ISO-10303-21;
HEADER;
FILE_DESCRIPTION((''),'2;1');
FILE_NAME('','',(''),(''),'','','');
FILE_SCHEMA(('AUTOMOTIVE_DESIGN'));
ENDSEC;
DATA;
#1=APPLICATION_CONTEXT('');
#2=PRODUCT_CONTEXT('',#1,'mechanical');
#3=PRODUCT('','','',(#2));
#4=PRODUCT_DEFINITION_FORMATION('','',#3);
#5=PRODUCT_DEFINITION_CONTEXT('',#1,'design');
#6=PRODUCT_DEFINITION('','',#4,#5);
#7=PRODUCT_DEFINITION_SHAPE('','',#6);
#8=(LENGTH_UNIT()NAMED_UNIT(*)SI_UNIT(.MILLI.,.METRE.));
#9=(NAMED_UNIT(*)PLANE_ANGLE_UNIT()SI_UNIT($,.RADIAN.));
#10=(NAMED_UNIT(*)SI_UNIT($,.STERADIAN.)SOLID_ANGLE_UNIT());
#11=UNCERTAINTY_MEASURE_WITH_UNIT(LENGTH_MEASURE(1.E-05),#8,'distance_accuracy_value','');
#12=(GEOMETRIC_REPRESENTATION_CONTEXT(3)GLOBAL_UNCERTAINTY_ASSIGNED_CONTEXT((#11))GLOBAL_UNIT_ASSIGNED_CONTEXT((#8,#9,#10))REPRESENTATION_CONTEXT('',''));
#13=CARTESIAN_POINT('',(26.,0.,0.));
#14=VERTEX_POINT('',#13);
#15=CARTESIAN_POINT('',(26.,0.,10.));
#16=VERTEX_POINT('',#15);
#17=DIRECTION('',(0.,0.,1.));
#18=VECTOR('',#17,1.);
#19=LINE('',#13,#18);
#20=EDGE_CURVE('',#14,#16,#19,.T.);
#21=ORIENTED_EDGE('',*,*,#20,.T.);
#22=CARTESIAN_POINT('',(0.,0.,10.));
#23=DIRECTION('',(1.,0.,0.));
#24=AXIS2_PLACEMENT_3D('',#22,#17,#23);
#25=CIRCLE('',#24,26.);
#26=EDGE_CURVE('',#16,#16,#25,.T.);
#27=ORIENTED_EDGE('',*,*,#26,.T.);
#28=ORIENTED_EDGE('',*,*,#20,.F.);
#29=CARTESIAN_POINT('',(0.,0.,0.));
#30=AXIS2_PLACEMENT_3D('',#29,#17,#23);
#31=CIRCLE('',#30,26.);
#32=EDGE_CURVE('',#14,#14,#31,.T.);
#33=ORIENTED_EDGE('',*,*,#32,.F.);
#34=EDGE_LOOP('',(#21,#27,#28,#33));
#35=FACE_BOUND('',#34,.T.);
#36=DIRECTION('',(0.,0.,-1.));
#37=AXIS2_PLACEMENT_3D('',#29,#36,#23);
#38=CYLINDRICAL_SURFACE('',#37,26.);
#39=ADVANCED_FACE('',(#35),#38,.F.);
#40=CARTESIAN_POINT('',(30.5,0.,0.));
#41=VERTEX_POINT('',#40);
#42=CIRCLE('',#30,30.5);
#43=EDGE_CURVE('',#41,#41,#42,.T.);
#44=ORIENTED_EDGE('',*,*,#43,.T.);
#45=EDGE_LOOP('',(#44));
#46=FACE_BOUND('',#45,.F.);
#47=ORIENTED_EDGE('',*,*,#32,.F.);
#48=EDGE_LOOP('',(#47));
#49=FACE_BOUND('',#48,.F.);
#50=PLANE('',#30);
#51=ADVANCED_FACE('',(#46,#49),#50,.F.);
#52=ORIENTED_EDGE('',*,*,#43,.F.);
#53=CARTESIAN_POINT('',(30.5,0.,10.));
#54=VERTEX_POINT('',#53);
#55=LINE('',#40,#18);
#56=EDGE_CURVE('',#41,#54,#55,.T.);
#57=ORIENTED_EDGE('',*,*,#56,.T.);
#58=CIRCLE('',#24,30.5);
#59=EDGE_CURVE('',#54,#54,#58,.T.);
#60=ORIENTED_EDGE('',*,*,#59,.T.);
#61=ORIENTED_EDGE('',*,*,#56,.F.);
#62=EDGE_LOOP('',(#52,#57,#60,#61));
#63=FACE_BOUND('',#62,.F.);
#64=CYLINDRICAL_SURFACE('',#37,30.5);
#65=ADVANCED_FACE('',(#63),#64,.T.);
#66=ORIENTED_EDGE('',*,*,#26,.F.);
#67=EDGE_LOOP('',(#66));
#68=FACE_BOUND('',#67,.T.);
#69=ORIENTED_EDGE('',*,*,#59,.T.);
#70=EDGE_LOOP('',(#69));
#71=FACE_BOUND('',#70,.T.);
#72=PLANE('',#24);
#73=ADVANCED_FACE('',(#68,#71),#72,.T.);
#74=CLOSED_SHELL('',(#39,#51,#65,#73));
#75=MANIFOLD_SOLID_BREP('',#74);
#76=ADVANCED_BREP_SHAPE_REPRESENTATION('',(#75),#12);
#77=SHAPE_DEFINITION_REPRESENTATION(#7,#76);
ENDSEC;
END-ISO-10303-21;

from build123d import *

# Parameters (mm, degrees)
F0_R     = 40
F0_R_2   = 35.5
F1_DEPTH = 10
F0_R_3   = 30.5
F0_R_4   = 26


with BuildPart() as f1:
    # F0 (on Top) → F1 (new body)
    with BuildSketch(Plane.XY):
        Circle(F0_R)
        Circle(F0_R_2, mode=Mode.SUBTRACT)
    extrude(amount=F1_DEPTH)


with BuildPart() as f1b:
    # F0 (on Top) → F1, piece 2 (new body)
    with BuildSketch(Plane.XY):
        Circle(F0_R_3)
        Circle(F0_R_4, mode=Mode.SUBTRACT)
    extrude(amount=F1_DEPTH)


solid = f1b.part
